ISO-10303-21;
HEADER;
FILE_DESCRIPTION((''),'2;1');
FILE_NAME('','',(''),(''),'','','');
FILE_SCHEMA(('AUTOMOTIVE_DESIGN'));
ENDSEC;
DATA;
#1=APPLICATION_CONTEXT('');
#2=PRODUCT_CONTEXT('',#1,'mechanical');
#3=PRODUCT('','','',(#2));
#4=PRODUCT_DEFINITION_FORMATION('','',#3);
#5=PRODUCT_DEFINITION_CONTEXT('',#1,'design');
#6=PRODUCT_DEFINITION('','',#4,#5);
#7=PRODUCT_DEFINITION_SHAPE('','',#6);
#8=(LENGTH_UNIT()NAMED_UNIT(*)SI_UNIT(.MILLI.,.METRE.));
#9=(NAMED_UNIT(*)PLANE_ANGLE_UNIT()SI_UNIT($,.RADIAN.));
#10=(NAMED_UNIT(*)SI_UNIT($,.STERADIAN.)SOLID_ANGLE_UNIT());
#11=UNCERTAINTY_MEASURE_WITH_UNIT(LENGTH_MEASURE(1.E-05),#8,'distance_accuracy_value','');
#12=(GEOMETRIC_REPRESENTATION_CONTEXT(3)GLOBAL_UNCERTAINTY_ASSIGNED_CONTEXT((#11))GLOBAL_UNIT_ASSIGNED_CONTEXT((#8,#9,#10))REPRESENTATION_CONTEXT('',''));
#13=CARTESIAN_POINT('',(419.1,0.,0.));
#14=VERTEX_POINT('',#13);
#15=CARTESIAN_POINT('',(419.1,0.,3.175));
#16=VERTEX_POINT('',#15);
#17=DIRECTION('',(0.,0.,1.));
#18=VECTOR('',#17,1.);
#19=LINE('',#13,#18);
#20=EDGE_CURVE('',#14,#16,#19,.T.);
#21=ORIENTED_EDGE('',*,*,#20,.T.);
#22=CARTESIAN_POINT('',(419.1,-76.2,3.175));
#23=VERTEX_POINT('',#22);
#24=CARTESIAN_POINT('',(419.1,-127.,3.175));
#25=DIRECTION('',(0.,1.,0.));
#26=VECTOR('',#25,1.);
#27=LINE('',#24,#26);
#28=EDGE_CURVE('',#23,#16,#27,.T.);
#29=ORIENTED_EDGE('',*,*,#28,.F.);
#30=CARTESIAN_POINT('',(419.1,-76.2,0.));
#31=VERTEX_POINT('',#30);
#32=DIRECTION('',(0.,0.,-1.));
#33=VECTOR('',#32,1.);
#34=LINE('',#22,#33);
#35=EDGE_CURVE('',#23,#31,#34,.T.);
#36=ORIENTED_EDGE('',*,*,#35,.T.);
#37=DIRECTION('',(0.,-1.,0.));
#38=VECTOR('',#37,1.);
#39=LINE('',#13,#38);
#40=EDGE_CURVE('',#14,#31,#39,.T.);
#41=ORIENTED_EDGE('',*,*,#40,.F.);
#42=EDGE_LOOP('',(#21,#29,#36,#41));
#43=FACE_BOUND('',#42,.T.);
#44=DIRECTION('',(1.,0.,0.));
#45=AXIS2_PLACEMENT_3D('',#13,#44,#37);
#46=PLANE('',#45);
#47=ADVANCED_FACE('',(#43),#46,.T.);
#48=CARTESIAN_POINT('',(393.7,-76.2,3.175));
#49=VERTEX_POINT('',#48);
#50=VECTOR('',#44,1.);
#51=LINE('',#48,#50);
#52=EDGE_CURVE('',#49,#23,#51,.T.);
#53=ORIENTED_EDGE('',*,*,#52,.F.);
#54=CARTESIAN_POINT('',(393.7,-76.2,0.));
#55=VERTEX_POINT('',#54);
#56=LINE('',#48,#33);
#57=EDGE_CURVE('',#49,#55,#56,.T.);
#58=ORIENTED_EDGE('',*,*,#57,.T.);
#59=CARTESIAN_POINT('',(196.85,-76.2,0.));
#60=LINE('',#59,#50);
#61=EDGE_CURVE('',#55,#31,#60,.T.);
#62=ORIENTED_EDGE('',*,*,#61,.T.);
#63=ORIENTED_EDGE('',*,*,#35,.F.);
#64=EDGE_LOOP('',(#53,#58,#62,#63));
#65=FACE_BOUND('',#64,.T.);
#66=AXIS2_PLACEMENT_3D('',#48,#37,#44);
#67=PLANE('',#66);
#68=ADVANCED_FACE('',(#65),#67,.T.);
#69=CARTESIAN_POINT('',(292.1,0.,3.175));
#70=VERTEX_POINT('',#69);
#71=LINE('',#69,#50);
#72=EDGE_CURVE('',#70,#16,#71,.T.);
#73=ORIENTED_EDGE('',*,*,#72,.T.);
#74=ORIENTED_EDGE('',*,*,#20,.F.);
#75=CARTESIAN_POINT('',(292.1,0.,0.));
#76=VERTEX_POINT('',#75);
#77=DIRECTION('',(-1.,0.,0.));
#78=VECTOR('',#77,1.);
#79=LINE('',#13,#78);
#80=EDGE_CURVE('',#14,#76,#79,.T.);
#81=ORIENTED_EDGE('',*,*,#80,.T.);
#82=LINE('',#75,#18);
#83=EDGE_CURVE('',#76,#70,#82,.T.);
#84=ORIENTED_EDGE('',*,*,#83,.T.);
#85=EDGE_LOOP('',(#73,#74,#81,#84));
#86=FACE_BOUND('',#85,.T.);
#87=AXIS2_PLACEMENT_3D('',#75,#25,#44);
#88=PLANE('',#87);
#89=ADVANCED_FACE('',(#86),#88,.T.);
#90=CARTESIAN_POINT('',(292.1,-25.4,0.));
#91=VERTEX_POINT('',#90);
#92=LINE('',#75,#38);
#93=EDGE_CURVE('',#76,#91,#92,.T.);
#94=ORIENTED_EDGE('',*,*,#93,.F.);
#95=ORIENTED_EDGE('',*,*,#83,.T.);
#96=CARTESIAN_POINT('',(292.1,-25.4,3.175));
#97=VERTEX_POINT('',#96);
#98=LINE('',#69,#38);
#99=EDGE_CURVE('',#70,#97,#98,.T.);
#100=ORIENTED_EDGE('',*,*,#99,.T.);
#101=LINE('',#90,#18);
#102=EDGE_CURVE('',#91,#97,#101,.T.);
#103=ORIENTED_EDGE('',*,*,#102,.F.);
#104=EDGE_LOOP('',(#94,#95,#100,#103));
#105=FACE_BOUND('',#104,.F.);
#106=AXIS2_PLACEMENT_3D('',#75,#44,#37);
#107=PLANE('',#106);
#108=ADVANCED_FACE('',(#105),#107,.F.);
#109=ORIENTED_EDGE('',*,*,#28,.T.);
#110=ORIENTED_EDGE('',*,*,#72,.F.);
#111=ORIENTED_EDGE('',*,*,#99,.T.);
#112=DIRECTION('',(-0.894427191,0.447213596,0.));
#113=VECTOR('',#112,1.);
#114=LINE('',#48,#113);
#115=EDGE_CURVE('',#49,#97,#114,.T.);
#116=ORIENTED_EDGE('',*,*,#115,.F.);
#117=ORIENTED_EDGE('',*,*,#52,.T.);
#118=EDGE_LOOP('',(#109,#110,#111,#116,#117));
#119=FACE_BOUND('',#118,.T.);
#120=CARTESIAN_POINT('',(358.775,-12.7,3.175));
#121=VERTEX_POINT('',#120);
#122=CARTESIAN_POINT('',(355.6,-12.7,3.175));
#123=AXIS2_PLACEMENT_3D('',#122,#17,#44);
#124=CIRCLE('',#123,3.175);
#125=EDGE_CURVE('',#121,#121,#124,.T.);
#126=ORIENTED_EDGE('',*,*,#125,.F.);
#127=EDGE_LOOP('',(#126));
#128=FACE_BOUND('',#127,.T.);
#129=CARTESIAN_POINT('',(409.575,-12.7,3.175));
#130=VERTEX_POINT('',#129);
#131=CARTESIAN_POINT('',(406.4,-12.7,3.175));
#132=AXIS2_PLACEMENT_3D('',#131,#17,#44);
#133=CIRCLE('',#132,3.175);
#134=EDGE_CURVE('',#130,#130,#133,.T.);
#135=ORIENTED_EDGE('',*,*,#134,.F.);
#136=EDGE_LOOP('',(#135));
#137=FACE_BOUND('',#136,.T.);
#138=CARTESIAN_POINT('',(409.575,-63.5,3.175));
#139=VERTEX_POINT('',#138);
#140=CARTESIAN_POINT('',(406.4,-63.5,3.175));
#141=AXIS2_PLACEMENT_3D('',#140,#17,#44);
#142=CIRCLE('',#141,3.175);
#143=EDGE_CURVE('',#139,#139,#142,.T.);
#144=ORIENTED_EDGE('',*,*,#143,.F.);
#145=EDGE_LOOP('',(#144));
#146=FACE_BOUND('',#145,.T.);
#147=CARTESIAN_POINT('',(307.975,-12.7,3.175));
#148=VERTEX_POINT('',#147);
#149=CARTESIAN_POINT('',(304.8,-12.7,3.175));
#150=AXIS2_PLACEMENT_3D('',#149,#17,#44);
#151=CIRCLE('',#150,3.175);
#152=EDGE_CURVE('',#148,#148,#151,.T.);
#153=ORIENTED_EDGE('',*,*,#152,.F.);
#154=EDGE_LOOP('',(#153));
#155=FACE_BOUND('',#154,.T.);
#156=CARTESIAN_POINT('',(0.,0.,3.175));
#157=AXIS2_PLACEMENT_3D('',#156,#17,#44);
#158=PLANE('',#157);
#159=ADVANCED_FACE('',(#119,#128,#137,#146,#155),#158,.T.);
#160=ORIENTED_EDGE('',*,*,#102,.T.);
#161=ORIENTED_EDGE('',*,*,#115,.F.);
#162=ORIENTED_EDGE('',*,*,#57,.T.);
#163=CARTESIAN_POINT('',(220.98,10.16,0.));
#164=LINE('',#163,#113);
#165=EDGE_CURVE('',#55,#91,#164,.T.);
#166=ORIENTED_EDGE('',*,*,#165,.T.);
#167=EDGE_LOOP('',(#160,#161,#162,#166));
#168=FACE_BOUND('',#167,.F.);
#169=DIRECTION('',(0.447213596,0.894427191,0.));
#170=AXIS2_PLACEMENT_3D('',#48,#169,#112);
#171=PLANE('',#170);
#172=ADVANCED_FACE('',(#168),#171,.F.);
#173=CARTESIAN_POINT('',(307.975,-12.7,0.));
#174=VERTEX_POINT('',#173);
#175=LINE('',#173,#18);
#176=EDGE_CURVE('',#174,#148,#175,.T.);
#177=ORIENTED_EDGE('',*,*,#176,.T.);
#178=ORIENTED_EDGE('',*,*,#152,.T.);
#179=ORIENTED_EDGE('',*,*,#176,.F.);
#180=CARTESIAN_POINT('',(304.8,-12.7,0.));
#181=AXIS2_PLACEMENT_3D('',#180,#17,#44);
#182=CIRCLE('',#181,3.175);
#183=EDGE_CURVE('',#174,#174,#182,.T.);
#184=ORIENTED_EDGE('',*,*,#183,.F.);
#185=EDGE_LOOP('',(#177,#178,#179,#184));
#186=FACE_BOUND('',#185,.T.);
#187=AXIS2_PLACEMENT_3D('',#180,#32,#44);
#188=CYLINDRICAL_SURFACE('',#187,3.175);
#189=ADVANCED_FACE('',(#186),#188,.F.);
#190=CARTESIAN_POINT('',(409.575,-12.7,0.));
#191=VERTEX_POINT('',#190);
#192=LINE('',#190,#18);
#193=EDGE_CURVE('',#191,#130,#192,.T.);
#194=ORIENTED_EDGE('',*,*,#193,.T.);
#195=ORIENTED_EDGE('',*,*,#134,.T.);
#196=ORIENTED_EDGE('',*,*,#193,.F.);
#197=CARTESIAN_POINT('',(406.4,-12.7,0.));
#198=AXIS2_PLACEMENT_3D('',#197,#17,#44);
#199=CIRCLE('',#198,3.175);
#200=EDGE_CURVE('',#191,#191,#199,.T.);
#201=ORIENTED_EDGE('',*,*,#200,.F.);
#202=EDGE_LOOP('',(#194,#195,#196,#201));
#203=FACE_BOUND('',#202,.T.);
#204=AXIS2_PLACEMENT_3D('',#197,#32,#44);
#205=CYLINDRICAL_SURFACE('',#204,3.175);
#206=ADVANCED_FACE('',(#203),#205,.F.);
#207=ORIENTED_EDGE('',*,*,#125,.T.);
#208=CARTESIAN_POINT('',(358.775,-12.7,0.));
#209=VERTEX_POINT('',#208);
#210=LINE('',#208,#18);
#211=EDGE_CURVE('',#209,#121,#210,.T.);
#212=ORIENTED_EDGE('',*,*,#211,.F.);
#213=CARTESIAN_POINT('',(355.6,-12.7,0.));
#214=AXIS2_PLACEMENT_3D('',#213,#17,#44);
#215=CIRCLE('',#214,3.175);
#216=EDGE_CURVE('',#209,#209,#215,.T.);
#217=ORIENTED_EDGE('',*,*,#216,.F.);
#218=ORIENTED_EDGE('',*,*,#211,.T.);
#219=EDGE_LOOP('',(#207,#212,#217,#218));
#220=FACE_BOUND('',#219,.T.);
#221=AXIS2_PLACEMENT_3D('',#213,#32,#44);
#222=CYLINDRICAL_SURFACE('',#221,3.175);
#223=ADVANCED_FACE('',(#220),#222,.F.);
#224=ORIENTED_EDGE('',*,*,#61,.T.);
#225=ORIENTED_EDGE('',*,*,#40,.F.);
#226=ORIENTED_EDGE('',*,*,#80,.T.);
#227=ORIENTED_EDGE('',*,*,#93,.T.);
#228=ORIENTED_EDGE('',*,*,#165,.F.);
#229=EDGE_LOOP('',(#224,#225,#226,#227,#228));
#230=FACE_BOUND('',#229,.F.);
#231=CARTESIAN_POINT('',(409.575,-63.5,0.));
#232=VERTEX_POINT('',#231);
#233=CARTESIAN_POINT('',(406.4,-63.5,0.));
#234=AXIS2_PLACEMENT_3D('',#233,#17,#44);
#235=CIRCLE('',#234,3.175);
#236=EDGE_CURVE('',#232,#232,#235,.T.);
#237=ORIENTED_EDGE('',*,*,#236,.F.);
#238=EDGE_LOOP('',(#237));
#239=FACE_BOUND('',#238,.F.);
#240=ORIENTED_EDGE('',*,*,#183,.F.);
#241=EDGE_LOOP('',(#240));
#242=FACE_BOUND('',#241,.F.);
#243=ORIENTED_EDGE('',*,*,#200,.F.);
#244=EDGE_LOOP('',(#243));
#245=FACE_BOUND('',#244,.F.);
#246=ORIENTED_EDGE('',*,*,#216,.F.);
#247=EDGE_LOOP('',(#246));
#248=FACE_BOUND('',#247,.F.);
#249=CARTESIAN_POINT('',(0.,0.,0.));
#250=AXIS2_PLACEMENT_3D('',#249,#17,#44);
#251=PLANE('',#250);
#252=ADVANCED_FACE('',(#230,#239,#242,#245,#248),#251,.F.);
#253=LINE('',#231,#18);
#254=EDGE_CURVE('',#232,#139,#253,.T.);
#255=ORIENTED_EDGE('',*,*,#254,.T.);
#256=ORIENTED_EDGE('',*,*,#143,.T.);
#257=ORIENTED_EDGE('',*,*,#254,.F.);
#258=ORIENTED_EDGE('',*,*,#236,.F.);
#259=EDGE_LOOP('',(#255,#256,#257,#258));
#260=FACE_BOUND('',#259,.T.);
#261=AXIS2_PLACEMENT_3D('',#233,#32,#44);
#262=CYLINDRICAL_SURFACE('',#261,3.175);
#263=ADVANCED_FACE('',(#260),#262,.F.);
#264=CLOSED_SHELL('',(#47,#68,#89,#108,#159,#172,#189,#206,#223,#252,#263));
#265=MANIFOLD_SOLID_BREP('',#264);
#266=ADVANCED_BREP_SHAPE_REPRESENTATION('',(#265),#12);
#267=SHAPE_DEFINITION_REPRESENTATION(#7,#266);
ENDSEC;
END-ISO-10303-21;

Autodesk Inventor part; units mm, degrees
ref_plane "YZ Plane" through (0, 0, 0) normal (1, 0, 0) x (0, 1, 0)
ref_plane "XZ Plane" through (0, 0, 0) normal (0, 1, 0) x (-1, 0, 0)
ref_plane "Work Plane1" through (0, 0, 0) normal (0, 0, 1) x (1, 0, 0)
sketch "Sketch1" plane through (0, 0, 0) normal (0, 0, 1) x (1, 0, 0)
  line L0 (0, 0) -> (673.1, 0)
  line L1 (673.1, 0) -> (673.1, -25.4)
  line L2 (673.1, -25.4) -> (0, -25.4)
  line L3 (0, -25.4) -> (0, 0)
  line L4 (673.1, 0) -> (419.1, 0)
  line L5 (419.1, 0) -> (419.1, -25.4)
  line L6 (419.1, -25.4) -> (673.1, -25.4)
  line L7 (673.1, -25.4) -> (673.1, 0)
  line L8 (419.1, 0) -> (393.7, 0)
  line L9 (393.7, -127) -> (419.1, -127)
  line L10 (419.1, -127) -> (419.1, 0)
  line L11 (419.1, 0) -> (292.1, 0)
  line L12 (292.1, 0) -> (292.1, -25.4)
  line L13 (419.1, -25.4) -> (419.1, 0)
  line L14 (393.7, -127) -> (292.1, -25.4)
  line L15 (292.1, -12.7) -> (304.8, -12.7) construction
  line L16 (406.4, -12.7) -> (457.2, -12.7) construction
  circle A0 centre (406.4, -12.7) radius 3.175
  circle A1 centre (406.4, -63.5) radius 3.175
  circle A2 centre (406.4, -114.3) radius 3.175
  circle A3 centre (304.8, -12.7) radius 3.175
  line L17 (406.4, -12.7) -> (457.2, -12.7) construction
  circle A4 centre (355.6, -12.7) radius 3.175
  dimension "d0" = 673.1
  dimension "d1" = 25.4
  dimension "d2" = 254
  dimension "d3" = 25.4
  dimension "d4" = 25.4
  dimension "d5" = 127
  dimension "d6" = 127
  dimension "d7" = 25.4
  dimension "d14" = 6.35
  dimension "d15" = 6.35
  dimension "d16" = 6.35
  dimension "d17" = 6.35
  dimension "d20" = 6.35
extrude "Extrusion1" add sketch "Sketch1" along normal blind 3.175 contours L0 L5 L2 L12 | L2 L10 L9 L14
sketch "Sketch2" plane through (0, 0, 3.175) normal (0, 0, 1) x (1, 0, 0)
  circle A0 centre (406.4, -114.3) radius 3.175 projected
  line L0 (419.1, 0) -> (292.1, 0) projected
  line L1 (292.1, 0) -> (292.1, -25.4) projected
  line L2 (292.1, -25.4) -> (393.7, -127) projected
  line L3 (393.7, -127) -> (419.1, -127) projected
  line L4 (419.1, -127) -> (419.1, 0) projected
  line L5 (419.1, 0) -> (393.7, 0)
  line L6 (393.7, 0) -> (393.7, -76.2)
  line L7 (393.7, -76.2) -> (419.1, -76.2)
  line L8 (419.1, -76.2) -> (419.1, 0)
  line L9 (393.7, -76.2) -> (292.1, -25.4)
  point P0 (0, 0)
  dimension "d23" = 25.4
  dimension "d24" = 76.2
extrude "Extrusion2" cut sketch "Sketch2" against normal blind 25.4 contours L4 L3 L2 L9 L7
properties part number "CatapultGussetPlate"
